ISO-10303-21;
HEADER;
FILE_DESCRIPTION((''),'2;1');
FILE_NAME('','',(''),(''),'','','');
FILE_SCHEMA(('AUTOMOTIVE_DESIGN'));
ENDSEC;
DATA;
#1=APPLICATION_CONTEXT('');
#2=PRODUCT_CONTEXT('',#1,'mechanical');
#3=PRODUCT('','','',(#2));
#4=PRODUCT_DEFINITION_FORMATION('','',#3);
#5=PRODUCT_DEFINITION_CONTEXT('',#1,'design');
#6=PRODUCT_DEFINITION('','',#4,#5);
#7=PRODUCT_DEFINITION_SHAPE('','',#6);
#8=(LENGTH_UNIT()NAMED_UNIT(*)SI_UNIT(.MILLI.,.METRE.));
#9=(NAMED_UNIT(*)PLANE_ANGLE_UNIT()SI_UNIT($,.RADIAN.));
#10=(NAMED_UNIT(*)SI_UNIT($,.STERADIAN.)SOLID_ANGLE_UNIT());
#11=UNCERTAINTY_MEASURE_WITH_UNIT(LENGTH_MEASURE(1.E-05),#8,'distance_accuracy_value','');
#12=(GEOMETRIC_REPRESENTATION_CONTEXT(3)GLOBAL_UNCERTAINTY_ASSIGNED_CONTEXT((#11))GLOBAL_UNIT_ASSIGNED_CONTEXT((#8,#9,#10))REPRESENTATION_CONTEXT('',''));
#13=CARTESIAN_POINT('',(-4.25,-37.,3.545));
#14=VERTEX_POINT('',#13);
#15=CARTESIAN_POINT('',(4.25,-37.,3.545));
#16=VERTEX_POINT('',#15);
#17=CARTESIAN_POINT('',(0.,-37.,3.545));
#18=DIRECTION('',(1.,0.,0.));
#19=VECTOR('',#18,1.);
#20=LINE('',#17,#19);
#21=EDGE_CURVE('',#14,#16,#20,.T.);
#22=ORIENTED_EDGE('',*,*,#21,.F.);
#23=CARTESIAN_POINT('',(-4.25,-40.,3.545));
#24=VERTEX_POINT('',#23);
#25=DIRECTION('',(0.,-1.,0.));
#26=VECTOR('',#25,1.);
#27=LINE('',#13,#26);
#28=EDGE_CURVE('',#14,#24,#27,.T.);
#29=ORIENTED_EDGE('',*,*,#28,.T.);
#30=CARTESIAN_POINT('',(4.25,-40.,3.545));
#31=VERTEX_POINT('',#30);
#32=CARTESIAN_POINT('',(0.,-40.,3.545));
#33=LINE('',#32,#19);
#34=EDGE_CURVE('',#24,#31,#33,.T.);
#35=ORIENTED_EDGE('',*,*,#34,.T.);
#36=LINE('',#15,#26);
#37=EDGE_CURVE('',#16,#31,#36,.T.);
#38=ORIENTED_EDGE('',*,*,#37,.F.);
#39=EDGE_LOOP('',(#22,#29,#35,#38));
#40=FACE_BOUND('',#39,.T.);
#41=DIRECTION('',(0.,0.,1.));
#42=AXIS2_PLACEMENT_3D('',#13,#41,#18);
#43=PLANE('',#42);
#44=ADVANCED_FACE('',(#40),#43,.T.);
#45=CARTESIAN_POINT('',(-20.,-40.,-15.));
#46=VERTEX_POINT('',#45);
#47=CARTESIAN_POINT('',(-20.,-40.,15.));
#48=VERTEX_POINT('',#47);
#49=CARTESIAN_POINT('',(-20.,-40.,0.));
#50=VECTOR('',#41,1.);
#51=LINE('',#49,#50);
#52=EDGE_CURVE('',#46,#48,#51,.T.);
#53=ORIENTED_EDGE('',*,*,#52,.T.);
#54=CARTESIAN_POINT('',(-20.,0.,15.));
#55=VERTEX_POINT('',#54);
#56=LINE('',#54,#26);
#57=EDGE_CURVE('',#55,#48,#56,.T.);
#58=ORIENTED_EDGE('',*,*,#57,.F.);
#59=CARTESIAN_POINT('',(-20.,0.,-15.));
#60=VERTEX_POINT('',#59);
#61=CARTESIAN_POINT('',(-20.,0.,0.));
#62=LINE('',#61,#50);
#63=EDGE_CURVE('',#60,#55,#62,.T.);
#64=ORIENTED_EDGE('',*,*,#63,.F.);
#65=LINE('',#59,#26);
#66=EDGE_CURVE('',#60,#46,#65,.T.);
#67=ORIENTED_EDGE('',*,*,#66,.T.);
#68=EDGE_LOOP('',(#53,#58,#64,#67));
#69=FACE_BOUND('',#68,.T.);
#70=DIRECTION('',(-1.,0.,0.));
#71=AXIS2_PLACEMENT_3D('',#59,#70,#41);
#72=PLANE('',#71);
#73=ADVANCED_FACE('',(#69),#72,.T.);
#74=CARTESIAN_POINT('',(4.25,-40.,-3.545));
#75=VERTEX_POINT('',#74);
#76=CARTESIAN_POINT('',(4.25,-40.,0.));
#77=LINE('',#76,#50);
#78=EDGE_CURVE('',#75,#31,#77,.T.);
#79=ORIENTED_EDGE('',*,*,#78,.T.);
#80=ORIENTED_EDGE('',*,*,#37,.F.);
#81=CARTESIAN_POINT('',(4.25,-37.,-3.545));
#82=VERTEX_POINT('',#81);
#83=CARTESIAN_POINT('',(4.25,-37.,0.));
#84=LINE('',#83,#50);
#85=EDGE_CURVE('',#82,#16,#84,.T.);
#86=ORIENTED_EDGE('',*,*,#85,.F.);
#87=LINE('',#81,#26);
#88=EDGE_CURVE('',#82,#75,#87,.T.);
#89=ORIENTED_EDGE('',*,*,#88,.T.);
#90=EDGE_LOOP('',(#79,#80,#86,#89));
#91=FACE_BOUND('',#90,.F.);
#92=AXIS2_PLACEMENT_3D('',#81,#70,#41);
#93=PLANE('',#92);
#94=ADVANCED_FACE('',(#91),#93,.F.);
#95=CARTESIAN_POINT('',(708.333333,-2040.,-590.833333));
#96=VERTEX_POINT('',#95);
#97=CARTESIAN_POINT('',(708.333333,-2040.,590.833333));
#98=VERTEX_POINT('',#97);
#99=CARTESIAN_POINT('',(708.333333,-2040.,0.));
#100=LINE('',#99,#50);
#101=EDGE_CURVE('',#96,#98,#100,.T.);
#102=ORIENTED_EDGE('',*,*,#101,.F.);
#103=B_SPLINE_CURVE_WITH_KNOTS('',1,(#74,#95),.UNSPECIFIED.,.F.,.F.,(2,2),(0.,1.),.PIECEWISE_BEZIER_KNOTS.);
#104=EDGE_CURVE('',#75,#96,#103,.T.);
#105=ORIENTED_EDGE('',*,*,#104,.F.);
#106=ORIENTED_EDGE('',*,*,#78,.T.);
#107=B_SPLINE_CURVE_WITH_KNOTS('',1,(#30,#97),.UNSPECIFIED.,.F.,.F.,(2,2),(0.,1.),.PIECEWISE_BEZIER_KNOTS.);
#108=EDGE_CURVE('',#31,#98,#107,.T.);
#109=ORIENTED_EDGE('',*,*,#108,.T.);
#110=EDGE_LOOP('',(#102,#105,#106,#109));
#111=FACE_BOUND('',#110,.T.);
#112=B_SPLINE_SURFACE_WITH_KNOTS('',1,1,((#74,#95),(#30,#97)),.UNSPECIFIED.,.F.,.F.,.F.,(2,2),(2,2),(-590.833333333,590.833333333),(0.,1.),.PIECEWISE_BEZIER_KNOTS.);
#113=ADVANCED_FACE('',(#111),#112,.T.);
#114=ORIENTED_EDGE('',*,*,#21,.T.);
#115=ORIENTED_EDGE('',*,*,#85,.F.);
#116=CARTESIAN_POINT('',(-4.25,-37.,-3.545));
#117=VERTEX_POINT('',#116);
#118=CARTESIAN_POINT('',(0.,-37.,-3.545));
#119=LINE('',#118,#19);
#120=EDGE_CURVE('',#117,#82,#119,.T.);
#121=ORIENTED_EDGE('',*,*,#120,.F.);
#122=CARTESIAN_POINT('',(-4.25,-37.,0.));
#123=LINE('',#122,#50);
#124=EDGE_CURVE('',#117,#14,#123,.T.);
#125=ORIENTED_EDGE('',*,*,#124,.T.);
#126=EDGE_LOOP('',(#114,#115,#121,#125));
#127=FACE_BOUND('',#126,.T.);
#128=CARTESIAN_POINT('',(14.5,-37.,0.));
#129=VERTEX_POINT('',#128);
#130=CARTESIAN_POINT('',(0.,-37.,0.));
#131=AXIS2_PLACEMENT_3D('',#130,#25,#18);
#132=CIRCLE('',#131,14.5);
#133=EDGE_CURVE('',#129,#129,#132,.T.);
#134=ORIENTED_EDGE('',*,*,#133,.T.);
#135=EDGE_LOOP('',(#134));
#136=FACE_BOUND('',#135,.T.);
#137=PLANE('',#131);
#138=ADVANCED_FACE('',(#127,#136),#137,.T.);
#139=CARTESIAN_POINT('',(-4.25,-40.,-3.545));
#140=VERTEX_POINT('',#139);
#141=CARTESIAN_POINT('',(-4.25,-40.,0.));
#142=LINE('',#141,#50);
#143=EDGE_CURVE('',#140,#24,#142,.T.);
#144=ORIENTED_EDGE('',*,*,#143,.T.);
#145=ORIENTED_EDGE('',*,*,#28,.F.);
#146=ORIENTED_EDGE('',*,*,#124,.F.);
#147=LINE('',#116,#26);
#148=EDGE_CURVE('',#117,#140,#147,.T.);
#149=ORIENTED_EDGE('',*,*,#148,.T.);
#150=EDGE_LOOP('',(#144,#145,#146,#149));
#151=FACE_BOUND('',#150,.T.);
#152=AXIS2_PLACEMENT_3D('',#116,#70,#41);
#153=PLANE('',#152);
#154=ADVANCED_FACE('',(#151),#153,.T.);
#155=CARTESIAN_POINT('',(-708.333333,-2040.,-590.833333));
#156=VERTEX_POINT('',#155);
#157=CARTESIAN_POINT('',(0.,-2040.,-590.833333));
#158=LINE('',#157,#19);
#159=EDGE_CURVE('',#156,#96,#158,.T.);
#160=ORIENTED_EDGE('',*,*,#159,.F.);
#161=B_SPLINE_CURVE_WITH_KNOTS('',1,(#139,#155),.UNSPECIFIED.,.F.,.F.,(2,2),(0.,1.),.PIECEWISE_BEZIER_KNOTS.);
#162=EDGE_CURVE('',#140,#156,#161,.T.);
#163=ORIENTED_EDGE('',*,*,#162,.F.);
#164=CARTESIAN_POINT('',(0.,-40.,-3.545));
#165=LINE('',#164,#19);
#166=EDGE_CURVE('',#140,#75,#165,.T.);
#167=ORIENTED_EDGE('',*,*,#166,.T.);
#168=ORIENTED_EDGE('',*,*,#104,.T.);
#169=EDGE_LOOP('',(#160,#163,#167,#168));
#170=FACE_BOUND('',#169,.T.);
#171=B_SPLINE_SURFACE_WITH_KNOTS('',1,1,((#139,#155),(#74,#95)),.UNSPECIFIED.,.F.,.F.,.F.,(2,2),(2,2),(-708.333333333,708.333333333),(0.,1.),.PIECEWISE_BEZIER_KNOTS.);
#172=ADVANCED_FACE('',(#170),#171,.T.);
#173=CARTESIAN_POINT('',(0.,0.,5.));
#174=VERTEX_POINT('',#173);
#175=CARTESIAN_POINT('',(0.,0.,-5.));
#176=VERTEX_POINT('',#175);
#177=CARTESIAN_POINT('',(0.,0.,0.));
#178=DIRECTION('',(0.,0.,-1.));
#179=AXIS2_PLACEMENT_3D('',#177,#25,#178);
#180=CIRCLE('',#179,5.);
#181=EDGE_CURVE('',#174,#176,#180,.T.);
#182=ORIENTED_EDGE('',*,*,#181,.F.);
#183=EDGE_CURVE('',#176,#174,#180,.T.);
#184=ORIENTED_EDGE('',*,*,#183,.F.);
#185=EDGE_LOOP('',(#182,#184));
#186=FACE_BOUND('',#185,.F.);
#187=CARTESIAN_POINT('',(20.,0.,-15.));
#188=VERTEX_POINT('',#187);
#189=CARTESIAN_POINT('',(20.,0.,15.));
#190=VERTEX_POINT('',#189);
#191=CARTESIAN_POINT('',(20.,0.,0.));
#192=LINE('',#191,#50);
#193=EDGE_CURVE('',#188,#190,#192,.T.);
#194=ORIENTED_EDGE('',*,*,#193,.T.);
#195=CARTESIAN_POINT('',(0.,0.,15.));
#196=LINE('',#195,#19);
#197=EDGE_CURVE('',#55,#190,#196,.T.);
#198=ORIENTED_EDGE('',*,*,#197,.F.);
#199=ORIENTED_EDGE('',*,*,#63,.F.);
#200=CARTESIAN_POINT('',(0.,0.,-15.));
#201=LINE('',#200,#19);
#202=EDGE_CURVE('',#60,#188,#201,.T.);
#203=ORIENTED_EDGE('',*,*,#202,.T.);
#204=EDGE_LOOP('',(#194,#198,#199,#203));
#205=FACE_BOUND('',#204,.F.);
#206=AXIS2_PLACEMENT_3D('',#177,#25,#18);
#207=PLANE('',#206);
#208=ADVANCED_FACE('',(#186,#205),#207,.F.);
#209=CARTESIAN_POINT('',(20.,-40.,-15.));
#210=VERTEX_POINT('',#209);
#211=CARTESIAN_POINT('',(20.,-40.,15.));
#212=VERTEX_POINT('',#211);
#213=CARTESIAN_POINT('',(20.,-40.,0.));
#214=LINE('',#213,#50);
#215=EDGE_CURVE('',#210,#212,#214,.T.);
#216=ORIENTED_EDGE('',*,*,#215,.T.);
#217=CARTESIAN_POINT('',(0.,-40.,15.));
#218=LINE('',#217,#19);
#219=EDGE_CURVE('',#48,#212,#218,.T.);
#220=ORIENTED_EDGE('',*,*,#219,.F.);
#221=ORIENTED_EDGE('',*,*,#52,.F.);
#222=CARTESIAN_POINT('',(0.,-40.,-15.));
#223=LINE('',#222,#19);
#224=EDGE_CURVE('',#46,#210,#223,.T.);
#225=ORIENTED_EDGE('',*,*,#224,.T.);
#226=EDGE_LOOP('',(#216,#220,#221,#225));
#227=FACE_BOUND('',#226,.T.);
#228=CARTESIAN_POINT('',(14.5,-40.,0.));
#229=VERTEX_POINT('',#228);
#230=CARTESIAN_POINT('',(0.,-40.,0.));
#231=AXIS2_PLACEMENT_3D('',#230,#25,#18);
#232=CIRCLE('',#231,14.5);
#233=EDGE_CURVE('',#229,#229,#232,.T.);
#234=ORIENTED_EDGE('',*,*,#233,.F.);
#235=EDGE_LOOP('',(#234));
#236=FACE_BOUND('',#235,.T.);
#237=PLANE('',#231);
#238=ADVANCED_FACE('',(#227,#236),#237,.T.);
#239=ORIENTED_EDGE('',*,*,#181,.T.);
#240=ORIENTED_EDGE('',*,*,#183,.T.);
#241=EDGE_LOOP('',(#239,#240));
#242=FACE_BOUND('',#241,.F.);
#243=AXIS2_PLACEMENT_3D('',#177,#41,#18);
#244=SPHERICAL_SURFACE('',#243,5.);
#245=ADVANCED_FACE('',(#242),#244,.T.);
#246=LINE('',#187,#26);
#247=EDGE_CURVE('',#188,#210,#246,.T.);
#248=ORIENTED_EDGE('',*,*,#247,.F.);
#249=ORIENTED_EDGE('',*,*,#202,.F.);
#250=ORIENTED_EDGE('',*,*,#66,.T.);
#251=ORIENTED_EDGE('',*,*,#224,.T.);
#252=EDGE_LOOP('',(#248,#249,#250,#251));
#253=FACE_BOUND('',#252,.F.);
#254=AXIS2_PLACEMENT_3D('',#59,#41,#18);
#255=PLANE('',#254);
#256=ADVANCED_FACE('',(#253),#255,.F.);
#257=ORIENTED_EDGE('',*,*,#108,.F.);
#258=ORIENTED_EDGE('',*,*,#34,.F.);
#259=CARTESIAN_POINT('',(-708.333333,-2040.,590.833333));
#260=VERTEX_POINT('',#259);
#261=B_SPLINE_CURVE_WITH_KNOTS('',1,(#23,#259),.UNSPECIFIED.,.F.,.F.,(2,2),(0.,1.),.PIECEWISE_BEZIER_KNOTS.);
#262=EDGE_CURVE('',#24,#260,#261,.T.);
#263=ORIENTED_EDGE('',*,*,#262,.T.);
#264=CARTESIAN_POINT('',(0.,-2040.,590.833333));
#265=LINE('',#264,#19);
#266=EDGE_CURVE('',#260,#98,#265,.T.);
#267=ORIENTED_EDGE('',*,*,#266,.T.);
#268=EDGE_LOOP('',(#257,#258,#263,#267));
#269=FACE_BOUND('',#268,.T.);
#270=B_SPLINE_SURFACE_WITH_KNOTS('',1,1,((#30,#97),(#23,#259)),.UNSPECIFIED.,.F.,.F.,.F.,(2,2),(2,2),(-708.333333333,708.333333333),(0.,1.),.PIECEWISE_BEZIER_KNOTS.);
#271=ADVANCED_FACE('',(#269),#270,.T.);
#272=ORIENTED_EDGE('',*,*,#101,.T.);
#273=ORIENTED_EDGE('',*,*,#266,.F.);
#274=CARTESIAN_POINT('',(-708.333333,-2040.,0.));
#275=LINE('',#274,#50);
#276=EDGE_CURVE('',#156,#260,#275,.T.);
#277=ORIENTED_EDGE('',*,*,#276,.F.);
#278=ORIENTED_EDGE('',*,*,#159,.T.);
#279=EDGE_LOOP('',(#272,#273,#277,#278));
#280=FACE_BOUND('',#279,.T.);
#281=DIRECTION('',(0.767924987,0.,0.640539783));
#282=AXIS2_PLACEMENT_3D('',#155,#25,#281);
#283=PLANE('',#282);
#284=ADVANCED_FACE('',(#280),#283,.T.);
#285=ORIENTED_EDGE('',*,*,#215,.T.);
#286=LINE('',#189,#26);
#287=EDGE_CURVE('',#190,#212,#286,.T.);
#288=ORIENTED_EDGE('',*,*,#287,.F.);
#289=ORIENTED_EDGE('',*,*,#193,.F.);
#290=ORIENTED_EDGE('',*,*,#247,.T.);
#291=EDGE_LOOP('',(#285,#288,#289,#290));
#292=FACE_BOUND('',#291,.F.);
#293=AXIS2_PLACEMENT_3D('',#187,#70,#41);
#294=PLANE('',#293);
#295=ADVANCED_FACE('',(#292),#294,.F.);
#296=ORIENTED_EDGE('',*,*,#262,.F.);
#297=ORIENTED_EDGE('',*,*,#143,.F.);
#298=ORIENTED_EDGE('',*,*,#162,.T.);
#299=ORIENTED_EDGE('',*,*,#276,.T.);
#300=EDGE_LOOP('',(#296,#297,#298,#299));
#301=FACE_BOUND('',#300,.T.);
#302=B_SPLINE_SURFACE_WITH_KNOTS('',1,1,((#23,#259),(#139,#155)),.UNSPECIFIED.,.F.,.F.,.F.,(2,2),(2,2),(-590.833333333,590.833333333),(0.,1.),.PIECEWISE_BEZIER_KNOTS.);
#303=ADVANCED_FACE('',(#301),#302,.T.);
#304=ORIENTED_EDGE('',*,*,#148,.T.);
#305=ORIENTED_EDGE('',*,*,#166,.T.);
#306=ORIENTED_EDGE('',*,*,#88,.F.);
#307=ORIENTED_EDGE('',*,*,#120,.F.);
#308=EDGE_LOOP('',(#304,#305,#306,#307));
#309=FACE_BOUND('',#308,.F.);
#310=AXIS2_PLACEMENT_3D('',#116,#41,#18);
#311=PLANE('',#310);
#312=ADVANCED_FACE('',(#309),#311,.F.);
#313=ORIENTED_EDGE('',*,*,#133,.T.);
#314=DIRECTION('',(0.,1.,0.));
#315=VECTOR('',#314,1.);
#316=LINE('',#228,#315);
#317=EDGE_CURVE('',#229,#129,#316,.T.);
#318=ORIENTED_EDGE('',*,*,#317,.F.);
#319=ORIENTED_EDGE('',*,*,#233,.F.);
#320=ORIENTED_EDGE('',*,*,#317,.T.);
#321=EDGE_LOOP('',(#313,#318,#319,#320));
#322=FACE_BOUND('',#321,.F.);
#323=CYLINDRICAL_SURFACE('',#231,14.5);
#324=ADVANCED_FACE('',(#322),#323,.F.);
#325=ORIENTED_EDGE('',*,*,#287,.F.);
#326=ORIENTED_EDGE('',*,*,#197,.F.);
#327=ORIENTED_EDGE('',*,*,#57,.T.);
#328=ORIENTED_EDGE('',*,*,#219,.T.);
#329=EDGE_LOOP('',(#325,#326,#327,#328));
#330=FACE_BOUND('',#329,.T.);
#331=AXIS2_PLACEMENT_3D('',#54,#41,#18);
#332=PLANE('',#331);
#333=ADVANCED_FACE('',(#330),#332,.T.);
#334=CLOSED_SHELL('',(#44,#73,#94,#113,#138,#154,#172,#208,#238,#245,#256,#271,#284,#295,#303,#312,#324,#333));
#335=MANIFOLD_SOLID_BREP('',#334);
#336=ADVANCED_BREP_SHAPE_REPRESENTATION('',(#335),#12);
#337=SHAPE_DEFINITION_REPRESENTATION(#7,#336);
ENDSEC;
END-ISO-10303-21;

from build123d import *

# Parameters (mm, degrees)
F0_W      = 40
F0_H      = 30
F1_DEPTH  = 40
F3_R      = 14.5
F4_DEPTH  = 3
F5_W      = 8.5
F5_H      = 7.09
F6_DEPTH  = 3
F6_FACE_W = 8.5
F6_FACE_H = 7.09
F8_W      = 1416.6666666667
F8_H      = 1181.6666666667


with BuildPart() as f1:
    # F0 (on Front) → F1 (new body)
    with BuildSketch(Plane.XZ):
        Rectangle(F0_W, F0_H)
    extrude(amount=F1_DEPTH)

    # F3 (on face) → F4 (cut)
    with BuildSketch(Plane.XZ.offset(40)):
        Circle(F3_R)
    extrude(amount=-F4_DEPTH, mode=Mode.SUBTRACT)

    # F5 (on face) → F6 (join)
    with BuildSketch(Plane.XZ.offset(37)):
        Rectangle(F5_W, F5_H)
    extrude(amount=F6_DEPTH)

    # F6_face (on face) → F9 section 0
    with BuildSketch(Plane.XZ.offset(40)):
        Rectangle(F6_FACE_W, F6_FACE_H)
    # F8 (on offset) → F9 section 1
    with BuildSketch(Plane.XZ.offset(2040)):
        Rectangle(F8_W, F8_H)
    loft()

    # F10 (on face) → F11 (revolve)
    with BuildSketch(Plane.XZ):
        with BuildLine():
            ThreePointArc((0, -5), (5, 0), (0, 5))
            Line((0, 5), (0, -5))
        make_face()
    revolve(axis=Axis((0, 0, 0), (0, 0, -1)))


solid = f1.part
